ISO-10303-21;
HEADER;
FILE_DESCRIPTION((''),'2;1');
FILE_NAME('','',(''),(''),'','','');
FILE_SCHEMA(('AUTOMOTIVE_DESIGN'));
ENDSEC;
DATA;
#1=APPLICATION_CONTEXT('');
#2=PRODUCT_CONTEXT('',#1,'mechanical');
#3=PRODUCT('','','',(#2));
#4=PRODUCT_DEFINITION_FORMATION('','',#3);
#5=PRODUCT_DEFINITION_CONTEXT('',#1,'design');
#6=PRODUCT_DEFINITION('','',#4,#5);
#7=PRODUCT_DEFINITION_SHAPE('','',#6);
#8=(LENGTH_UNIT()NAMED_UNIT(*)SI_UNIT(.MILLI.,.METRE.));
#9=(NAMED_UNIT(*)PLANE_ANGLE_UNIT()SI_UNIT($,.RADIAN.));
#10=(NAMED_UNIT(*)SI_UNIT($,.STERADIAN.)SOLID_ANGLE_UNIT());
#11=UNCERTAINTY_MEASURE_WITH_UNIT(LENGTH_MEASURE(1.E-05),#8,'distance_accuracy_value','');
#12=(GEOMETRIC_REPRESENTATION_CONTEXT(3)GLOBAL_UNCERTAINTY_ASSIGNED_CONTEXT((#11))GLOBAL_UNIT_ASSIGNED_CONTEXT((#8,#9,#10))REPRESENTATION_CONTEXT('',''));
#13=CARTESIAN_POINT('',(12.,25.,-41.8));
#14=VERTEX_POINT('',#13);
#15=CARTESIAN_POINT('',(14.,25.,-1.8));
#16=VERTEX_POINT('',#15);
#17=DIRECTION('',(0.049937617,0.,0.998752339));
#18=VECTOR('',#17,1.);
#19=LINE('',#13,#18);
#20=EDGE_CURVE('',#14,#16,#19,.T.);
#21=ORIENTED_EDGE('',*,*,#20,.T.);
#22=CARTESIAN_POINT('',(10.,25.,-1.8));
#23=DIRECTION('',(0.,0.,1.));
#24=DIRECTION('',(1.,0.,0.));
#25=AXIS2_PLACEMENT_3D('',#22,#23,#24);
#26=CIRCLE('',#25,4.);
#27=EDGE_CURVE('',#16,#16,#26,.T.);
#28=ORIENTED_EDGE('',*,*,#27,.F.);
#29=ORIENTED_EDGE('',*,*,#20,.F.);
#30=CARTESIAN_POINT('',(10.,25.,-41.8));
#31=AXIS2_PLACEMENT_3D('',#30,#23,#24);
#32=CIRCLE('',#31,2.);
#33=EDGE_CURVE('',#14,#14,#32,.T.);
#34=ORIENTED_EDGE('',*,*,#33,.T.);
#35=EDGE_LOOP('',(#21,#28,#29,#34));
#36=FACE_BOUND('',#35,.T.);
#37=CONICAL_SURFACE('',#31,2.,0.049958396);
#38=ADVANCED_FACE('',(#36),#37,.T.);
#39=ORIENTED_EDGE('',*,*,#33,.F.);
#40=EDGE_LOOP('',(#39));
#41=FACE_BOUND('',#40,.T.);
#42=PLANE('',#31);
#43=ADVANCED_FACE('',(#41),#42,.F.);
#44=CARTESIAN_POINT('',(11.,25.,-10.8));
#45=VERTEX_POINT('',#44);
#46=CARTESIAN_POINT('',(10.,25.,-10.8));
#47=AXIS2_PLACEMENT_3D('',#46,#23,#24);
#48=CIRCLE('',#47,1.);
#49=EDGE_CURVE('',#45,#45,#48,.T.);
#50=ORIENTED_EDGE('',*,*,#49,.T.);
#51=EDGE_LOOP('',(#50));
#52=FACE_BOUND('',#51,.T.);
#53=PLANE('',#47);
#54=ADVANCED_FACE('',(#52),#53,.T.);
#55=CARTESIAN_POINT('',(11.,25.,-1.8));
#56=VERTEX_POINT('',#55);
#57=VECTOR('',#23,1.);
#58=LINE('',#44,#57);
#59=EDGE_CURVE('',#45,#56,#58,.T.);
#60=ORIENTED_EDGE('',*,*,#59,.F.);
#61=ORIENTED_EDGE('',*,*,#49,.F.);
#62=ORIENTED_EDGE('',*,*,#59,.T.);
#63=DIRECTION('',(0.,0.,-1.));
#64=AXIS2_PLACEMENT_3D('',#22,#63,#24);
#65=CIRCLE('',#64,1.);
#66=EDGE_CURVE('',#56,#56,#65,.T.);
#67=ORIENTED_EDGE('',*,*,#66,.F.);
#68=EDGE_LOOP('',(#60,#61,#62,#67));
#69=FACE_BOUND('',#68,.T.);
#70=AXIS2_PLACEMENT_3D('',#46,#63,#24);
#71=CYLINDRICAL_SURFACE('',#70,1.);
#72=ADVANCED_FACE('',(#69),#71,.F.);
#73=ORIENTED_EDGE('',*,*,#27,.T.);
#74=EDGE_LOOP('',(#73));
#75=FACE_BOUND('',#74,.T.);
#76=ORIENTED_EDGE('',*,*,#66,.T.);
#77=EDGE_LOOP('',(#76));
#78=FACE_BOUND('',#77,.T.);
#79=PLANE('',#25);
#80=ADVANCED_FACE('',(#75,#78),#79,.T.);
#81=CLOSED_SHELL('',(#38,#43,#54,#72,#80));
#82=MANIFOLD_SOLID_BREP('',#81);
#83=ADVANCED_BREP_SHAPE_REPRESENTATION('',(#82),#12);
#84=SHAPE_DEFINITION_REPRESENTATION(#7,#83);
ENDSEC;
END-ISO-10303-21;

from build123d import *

# Parameters (mm, degrees)
CYLINDER_R     = 1
CYLINDER_DEPTH = 10


with BuildPart() as cylinder:
    # Cylinder → Cylinder (new body)
    with BuildSketch(Plane.XY.offset(31)):
        Circle(CYLINDER_R)
    extrude(amount=CYLINDER_DEPTH)


with BuildPart() as master_pata:
    # Cone → Cone (revolve)
    with BuildSketch(Plane.XZ):
        Polygon((0, 0), (2, 0), (4, 40), (0, 40), align=None)
    revolve(axis=Axis((0, 0, 0), (0, 0, 1)))

    # Cut003: cut Cylinder
    add(cylinder.part, mode=Mode.SUBTRACT)


with BuildPart() as master_pata_1:
    # Cut003 placement: moved
    add(master_pata.part.moved(Location((10, 25, -41.8))))


solid = master_pata_1.part
